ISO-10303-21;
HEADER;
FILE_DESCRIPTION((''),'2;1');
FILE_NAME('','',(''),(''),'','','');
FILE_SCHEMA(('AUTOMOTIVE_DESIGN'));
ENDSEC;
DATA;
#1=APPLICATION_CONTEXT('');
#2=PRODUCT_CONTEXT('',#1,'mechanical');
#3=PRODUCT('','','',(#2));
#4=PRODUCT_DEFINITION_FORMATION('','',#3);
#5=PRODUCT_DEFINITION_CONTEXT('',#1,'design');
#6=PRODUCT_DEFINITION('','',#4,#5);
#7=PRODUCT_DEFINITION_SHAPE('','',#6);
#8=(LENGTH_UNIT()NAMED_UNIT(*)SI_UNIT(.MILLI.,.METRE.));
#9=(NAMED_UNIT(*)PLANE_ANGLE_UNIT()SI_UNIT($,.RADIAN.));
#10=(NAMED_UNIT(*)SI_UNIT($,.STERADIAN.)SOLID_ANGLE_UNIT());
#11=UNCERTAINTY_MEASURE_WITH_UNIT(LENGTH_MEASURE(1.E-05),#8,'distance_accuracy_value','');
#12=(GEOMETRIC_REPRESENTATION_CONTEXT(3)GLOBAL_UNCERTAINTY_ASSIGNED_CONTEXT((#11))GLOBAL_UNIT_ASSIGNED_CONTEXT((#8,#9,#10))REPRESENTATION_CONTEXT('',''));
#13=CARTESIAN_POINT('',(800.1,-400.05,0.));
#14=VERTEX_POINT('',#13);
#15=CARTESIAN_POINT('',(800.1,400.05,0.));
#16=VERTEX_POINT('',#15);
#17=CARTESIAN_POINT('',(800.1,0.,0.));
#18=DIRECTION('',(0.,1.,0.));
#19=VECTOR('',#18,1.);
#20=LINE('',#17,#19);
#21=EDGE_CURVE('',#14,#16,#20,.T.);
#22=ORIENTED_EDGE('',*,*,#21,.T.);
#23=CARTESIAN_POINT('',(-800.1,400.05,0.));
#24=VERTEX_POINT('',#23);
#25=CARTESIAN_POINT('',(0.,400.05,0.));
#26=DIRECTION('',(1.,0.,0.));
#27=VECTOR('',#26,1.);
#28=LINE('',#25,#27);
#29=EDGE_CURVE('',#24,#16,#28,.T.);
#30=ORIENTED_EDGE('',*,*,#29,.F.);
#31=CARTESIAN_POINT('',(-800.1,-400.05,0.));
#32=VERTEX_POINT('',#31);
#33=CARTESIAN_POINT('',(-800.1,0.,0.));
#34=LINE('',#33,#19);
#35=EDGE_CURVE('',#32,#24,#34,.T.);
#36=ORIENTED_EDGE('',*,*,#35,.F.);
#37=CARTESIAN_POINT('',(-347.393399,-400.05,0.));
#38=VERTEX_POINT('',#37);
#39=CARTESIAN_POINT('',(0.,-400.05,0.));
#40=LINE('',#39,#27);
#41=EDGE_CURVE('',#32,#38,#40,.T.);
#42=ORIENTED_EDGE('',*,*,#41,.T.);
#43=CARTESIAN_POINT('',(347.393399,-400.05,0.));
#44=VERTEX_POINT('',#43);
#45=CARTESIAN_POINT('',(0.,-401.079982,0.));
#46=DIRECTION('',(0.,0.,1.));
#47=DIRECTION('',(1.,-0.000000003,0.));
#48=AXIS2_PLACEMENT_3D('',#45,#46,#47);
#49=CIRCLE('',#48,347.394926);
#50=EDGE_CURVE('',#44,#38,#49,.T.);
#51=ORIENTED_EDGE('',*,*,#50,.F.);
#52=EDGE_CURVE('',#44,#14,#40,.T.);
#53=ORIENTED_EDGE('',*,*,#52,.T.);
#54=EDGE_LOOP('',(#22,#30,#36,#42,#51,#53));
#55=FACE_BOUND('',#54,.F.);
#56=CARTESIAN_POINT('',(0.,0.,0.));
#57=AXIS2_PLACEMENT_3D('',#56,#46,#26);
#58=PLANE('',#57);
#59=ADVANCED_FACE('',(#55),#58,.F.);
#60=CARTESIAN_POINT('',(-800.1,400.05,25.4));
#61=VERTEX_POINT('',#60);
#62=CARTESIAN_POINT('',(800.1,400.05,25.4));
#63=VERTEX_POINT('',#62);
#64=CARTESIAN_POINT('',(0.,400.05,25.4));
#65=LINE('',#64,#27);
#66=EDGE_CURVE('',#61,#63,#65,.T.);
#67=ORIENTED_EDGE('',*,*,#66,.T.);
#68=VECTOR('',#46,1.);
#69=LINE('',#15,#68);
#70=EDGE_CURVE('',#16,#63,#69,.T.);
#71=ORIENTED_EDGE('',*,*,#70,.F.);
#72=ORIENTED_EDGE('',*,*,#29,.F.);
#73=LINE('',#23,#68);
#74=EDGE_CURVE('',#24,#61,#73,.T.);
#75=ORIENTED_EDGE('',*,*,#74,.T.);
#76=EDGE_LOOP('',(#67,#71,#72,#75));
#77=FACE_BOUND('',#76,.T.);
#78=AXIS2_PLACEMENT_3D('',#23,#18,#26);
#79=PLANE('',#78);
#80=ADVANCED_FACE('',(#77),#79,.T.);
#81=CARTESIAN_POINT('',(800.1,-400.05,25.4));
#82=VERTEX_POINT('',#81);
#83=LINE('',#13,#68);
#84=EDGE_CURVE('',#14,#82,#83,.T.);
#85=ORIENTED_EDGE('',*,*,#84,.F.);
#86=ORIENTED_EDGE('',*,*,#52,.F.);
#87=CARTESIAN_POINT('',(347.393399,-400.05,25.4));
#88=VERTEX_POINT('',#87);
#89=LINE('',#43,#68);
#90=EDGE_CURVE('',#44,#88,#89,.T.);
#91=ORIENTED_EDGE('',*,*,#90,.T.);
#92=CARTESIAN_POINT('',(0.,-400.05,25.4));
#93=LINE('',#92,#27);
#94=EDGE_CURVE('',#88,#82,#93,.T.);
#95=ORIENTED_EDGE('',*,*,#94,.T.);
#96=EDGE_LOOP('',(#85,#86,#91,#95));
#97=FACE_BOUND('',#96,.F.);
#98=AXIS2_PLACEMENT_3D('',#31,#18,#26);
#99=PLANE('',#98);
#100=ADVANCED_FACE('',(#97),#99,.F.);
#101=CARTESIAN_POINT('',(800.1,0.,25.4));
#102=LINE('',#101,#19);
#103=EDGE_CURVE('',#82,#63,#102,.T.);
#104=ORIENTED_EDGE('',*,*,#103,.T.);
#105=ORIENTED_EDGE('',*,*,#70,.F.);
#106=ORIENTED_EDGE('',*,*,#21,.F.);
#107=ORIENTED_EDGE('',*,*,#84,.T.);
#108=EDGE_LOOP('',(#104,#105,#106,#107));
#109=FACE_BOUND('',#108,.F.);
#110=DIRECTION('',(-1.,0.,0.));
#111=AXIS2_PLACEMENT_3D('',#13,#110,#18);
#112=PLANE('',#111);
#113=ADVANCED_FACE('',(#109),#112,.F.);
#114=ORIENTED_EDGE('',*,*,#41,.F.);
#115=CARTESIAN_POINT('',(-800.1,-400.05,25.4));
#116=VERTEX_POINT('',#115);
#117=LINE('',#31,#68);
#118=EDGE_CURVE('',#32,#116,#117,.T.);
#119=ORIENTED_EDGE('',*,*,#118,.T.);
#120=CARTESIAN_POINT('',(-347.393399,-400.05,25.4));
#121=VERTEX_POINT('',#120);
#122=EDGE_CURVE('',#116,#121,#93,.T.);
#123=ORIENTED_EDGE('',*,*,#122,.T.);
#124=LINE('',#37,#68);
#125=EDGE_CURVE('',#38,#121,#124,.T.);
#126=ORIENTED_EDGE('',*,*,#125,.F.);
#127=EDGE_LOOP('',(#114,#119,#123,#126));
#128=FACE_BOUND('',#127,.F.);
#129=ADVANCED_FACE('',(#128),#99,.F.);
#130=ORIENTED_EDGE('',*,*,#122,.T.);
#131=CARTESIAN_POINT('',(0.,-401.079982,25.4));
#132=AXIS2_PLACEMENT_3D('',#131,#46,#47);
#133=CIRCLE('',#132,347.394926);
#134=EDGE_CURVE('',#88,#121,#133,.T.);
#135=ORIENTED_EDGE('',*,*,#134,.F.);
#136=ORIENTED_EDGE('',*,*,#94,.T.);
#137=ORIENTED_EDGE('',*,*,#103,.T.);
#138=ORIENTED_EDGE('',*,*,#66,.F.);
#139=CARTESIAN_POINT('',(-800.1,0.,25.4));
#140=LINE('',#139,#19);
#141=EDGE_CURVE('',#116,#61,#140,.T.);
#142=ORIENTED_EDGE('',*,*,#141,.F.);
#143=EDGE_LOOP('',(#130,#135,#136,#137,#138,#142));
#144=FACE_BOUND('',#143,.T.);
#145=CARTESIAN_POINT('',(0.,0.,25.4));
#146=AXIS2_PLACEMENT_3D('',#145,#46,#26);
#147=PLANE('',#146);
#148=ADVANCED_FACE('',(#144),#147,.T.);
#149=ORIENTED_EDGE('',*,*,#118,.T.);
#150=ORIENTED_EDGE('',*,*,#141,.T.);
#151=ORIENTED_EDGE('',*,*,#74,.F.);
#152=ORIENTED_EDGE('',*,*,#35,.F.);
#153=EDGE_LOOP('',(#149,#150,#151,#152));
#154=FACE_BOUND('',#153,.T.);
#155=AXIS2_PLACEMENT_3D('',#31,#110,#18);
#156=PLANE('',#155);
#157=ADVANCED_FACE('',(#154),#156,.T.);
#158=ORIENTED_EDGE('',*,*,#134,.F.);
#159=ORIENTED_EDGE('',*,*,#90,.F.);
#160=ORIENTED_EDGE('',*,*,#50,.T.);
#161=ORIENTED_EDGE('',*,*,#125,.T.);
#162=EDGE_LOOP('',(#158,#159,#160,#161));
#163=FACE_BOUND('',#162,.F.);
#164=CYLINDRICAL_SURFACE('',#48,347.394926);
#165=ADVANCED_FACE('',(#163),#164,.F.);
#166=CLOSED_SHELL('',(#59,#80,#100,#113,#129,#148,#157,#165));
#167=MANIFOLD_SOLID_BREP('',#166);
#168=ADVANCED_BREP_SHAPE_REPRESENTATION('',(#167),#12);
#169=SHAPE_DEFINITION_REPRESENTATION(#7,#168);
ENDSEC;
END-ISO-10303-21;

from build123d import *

# Parameters (mm, degrees)
F0_W     = 1600.2
F0_H     = 800.1
F1_DEPTH = 25.4
F3_DEPTH = 25.4


with BuildPart() as f1:
    # F0 (on Top) → F1 (new body)
    with BuildSketch(Plane.XY):
        Rectangle(F0_W, F0_H)
    extrude(amount=F1_DEPTH)

    # F2 (on Top) → F3 (cut, symmetric)
    with BuildSketch(Plane.XY):
        with BuildLine():
            Line((-347.394926, -401.079983), (347.394926, -401.079983))
            ThreePointArc((347.394926, -401.079983), (0, -53.685056), (-347.394926, -401.079983))
        make_face()
    extrude(amount=F3_DEPTH, both=True, mode=Mode.SUBTRACT)


solid = f1.part
